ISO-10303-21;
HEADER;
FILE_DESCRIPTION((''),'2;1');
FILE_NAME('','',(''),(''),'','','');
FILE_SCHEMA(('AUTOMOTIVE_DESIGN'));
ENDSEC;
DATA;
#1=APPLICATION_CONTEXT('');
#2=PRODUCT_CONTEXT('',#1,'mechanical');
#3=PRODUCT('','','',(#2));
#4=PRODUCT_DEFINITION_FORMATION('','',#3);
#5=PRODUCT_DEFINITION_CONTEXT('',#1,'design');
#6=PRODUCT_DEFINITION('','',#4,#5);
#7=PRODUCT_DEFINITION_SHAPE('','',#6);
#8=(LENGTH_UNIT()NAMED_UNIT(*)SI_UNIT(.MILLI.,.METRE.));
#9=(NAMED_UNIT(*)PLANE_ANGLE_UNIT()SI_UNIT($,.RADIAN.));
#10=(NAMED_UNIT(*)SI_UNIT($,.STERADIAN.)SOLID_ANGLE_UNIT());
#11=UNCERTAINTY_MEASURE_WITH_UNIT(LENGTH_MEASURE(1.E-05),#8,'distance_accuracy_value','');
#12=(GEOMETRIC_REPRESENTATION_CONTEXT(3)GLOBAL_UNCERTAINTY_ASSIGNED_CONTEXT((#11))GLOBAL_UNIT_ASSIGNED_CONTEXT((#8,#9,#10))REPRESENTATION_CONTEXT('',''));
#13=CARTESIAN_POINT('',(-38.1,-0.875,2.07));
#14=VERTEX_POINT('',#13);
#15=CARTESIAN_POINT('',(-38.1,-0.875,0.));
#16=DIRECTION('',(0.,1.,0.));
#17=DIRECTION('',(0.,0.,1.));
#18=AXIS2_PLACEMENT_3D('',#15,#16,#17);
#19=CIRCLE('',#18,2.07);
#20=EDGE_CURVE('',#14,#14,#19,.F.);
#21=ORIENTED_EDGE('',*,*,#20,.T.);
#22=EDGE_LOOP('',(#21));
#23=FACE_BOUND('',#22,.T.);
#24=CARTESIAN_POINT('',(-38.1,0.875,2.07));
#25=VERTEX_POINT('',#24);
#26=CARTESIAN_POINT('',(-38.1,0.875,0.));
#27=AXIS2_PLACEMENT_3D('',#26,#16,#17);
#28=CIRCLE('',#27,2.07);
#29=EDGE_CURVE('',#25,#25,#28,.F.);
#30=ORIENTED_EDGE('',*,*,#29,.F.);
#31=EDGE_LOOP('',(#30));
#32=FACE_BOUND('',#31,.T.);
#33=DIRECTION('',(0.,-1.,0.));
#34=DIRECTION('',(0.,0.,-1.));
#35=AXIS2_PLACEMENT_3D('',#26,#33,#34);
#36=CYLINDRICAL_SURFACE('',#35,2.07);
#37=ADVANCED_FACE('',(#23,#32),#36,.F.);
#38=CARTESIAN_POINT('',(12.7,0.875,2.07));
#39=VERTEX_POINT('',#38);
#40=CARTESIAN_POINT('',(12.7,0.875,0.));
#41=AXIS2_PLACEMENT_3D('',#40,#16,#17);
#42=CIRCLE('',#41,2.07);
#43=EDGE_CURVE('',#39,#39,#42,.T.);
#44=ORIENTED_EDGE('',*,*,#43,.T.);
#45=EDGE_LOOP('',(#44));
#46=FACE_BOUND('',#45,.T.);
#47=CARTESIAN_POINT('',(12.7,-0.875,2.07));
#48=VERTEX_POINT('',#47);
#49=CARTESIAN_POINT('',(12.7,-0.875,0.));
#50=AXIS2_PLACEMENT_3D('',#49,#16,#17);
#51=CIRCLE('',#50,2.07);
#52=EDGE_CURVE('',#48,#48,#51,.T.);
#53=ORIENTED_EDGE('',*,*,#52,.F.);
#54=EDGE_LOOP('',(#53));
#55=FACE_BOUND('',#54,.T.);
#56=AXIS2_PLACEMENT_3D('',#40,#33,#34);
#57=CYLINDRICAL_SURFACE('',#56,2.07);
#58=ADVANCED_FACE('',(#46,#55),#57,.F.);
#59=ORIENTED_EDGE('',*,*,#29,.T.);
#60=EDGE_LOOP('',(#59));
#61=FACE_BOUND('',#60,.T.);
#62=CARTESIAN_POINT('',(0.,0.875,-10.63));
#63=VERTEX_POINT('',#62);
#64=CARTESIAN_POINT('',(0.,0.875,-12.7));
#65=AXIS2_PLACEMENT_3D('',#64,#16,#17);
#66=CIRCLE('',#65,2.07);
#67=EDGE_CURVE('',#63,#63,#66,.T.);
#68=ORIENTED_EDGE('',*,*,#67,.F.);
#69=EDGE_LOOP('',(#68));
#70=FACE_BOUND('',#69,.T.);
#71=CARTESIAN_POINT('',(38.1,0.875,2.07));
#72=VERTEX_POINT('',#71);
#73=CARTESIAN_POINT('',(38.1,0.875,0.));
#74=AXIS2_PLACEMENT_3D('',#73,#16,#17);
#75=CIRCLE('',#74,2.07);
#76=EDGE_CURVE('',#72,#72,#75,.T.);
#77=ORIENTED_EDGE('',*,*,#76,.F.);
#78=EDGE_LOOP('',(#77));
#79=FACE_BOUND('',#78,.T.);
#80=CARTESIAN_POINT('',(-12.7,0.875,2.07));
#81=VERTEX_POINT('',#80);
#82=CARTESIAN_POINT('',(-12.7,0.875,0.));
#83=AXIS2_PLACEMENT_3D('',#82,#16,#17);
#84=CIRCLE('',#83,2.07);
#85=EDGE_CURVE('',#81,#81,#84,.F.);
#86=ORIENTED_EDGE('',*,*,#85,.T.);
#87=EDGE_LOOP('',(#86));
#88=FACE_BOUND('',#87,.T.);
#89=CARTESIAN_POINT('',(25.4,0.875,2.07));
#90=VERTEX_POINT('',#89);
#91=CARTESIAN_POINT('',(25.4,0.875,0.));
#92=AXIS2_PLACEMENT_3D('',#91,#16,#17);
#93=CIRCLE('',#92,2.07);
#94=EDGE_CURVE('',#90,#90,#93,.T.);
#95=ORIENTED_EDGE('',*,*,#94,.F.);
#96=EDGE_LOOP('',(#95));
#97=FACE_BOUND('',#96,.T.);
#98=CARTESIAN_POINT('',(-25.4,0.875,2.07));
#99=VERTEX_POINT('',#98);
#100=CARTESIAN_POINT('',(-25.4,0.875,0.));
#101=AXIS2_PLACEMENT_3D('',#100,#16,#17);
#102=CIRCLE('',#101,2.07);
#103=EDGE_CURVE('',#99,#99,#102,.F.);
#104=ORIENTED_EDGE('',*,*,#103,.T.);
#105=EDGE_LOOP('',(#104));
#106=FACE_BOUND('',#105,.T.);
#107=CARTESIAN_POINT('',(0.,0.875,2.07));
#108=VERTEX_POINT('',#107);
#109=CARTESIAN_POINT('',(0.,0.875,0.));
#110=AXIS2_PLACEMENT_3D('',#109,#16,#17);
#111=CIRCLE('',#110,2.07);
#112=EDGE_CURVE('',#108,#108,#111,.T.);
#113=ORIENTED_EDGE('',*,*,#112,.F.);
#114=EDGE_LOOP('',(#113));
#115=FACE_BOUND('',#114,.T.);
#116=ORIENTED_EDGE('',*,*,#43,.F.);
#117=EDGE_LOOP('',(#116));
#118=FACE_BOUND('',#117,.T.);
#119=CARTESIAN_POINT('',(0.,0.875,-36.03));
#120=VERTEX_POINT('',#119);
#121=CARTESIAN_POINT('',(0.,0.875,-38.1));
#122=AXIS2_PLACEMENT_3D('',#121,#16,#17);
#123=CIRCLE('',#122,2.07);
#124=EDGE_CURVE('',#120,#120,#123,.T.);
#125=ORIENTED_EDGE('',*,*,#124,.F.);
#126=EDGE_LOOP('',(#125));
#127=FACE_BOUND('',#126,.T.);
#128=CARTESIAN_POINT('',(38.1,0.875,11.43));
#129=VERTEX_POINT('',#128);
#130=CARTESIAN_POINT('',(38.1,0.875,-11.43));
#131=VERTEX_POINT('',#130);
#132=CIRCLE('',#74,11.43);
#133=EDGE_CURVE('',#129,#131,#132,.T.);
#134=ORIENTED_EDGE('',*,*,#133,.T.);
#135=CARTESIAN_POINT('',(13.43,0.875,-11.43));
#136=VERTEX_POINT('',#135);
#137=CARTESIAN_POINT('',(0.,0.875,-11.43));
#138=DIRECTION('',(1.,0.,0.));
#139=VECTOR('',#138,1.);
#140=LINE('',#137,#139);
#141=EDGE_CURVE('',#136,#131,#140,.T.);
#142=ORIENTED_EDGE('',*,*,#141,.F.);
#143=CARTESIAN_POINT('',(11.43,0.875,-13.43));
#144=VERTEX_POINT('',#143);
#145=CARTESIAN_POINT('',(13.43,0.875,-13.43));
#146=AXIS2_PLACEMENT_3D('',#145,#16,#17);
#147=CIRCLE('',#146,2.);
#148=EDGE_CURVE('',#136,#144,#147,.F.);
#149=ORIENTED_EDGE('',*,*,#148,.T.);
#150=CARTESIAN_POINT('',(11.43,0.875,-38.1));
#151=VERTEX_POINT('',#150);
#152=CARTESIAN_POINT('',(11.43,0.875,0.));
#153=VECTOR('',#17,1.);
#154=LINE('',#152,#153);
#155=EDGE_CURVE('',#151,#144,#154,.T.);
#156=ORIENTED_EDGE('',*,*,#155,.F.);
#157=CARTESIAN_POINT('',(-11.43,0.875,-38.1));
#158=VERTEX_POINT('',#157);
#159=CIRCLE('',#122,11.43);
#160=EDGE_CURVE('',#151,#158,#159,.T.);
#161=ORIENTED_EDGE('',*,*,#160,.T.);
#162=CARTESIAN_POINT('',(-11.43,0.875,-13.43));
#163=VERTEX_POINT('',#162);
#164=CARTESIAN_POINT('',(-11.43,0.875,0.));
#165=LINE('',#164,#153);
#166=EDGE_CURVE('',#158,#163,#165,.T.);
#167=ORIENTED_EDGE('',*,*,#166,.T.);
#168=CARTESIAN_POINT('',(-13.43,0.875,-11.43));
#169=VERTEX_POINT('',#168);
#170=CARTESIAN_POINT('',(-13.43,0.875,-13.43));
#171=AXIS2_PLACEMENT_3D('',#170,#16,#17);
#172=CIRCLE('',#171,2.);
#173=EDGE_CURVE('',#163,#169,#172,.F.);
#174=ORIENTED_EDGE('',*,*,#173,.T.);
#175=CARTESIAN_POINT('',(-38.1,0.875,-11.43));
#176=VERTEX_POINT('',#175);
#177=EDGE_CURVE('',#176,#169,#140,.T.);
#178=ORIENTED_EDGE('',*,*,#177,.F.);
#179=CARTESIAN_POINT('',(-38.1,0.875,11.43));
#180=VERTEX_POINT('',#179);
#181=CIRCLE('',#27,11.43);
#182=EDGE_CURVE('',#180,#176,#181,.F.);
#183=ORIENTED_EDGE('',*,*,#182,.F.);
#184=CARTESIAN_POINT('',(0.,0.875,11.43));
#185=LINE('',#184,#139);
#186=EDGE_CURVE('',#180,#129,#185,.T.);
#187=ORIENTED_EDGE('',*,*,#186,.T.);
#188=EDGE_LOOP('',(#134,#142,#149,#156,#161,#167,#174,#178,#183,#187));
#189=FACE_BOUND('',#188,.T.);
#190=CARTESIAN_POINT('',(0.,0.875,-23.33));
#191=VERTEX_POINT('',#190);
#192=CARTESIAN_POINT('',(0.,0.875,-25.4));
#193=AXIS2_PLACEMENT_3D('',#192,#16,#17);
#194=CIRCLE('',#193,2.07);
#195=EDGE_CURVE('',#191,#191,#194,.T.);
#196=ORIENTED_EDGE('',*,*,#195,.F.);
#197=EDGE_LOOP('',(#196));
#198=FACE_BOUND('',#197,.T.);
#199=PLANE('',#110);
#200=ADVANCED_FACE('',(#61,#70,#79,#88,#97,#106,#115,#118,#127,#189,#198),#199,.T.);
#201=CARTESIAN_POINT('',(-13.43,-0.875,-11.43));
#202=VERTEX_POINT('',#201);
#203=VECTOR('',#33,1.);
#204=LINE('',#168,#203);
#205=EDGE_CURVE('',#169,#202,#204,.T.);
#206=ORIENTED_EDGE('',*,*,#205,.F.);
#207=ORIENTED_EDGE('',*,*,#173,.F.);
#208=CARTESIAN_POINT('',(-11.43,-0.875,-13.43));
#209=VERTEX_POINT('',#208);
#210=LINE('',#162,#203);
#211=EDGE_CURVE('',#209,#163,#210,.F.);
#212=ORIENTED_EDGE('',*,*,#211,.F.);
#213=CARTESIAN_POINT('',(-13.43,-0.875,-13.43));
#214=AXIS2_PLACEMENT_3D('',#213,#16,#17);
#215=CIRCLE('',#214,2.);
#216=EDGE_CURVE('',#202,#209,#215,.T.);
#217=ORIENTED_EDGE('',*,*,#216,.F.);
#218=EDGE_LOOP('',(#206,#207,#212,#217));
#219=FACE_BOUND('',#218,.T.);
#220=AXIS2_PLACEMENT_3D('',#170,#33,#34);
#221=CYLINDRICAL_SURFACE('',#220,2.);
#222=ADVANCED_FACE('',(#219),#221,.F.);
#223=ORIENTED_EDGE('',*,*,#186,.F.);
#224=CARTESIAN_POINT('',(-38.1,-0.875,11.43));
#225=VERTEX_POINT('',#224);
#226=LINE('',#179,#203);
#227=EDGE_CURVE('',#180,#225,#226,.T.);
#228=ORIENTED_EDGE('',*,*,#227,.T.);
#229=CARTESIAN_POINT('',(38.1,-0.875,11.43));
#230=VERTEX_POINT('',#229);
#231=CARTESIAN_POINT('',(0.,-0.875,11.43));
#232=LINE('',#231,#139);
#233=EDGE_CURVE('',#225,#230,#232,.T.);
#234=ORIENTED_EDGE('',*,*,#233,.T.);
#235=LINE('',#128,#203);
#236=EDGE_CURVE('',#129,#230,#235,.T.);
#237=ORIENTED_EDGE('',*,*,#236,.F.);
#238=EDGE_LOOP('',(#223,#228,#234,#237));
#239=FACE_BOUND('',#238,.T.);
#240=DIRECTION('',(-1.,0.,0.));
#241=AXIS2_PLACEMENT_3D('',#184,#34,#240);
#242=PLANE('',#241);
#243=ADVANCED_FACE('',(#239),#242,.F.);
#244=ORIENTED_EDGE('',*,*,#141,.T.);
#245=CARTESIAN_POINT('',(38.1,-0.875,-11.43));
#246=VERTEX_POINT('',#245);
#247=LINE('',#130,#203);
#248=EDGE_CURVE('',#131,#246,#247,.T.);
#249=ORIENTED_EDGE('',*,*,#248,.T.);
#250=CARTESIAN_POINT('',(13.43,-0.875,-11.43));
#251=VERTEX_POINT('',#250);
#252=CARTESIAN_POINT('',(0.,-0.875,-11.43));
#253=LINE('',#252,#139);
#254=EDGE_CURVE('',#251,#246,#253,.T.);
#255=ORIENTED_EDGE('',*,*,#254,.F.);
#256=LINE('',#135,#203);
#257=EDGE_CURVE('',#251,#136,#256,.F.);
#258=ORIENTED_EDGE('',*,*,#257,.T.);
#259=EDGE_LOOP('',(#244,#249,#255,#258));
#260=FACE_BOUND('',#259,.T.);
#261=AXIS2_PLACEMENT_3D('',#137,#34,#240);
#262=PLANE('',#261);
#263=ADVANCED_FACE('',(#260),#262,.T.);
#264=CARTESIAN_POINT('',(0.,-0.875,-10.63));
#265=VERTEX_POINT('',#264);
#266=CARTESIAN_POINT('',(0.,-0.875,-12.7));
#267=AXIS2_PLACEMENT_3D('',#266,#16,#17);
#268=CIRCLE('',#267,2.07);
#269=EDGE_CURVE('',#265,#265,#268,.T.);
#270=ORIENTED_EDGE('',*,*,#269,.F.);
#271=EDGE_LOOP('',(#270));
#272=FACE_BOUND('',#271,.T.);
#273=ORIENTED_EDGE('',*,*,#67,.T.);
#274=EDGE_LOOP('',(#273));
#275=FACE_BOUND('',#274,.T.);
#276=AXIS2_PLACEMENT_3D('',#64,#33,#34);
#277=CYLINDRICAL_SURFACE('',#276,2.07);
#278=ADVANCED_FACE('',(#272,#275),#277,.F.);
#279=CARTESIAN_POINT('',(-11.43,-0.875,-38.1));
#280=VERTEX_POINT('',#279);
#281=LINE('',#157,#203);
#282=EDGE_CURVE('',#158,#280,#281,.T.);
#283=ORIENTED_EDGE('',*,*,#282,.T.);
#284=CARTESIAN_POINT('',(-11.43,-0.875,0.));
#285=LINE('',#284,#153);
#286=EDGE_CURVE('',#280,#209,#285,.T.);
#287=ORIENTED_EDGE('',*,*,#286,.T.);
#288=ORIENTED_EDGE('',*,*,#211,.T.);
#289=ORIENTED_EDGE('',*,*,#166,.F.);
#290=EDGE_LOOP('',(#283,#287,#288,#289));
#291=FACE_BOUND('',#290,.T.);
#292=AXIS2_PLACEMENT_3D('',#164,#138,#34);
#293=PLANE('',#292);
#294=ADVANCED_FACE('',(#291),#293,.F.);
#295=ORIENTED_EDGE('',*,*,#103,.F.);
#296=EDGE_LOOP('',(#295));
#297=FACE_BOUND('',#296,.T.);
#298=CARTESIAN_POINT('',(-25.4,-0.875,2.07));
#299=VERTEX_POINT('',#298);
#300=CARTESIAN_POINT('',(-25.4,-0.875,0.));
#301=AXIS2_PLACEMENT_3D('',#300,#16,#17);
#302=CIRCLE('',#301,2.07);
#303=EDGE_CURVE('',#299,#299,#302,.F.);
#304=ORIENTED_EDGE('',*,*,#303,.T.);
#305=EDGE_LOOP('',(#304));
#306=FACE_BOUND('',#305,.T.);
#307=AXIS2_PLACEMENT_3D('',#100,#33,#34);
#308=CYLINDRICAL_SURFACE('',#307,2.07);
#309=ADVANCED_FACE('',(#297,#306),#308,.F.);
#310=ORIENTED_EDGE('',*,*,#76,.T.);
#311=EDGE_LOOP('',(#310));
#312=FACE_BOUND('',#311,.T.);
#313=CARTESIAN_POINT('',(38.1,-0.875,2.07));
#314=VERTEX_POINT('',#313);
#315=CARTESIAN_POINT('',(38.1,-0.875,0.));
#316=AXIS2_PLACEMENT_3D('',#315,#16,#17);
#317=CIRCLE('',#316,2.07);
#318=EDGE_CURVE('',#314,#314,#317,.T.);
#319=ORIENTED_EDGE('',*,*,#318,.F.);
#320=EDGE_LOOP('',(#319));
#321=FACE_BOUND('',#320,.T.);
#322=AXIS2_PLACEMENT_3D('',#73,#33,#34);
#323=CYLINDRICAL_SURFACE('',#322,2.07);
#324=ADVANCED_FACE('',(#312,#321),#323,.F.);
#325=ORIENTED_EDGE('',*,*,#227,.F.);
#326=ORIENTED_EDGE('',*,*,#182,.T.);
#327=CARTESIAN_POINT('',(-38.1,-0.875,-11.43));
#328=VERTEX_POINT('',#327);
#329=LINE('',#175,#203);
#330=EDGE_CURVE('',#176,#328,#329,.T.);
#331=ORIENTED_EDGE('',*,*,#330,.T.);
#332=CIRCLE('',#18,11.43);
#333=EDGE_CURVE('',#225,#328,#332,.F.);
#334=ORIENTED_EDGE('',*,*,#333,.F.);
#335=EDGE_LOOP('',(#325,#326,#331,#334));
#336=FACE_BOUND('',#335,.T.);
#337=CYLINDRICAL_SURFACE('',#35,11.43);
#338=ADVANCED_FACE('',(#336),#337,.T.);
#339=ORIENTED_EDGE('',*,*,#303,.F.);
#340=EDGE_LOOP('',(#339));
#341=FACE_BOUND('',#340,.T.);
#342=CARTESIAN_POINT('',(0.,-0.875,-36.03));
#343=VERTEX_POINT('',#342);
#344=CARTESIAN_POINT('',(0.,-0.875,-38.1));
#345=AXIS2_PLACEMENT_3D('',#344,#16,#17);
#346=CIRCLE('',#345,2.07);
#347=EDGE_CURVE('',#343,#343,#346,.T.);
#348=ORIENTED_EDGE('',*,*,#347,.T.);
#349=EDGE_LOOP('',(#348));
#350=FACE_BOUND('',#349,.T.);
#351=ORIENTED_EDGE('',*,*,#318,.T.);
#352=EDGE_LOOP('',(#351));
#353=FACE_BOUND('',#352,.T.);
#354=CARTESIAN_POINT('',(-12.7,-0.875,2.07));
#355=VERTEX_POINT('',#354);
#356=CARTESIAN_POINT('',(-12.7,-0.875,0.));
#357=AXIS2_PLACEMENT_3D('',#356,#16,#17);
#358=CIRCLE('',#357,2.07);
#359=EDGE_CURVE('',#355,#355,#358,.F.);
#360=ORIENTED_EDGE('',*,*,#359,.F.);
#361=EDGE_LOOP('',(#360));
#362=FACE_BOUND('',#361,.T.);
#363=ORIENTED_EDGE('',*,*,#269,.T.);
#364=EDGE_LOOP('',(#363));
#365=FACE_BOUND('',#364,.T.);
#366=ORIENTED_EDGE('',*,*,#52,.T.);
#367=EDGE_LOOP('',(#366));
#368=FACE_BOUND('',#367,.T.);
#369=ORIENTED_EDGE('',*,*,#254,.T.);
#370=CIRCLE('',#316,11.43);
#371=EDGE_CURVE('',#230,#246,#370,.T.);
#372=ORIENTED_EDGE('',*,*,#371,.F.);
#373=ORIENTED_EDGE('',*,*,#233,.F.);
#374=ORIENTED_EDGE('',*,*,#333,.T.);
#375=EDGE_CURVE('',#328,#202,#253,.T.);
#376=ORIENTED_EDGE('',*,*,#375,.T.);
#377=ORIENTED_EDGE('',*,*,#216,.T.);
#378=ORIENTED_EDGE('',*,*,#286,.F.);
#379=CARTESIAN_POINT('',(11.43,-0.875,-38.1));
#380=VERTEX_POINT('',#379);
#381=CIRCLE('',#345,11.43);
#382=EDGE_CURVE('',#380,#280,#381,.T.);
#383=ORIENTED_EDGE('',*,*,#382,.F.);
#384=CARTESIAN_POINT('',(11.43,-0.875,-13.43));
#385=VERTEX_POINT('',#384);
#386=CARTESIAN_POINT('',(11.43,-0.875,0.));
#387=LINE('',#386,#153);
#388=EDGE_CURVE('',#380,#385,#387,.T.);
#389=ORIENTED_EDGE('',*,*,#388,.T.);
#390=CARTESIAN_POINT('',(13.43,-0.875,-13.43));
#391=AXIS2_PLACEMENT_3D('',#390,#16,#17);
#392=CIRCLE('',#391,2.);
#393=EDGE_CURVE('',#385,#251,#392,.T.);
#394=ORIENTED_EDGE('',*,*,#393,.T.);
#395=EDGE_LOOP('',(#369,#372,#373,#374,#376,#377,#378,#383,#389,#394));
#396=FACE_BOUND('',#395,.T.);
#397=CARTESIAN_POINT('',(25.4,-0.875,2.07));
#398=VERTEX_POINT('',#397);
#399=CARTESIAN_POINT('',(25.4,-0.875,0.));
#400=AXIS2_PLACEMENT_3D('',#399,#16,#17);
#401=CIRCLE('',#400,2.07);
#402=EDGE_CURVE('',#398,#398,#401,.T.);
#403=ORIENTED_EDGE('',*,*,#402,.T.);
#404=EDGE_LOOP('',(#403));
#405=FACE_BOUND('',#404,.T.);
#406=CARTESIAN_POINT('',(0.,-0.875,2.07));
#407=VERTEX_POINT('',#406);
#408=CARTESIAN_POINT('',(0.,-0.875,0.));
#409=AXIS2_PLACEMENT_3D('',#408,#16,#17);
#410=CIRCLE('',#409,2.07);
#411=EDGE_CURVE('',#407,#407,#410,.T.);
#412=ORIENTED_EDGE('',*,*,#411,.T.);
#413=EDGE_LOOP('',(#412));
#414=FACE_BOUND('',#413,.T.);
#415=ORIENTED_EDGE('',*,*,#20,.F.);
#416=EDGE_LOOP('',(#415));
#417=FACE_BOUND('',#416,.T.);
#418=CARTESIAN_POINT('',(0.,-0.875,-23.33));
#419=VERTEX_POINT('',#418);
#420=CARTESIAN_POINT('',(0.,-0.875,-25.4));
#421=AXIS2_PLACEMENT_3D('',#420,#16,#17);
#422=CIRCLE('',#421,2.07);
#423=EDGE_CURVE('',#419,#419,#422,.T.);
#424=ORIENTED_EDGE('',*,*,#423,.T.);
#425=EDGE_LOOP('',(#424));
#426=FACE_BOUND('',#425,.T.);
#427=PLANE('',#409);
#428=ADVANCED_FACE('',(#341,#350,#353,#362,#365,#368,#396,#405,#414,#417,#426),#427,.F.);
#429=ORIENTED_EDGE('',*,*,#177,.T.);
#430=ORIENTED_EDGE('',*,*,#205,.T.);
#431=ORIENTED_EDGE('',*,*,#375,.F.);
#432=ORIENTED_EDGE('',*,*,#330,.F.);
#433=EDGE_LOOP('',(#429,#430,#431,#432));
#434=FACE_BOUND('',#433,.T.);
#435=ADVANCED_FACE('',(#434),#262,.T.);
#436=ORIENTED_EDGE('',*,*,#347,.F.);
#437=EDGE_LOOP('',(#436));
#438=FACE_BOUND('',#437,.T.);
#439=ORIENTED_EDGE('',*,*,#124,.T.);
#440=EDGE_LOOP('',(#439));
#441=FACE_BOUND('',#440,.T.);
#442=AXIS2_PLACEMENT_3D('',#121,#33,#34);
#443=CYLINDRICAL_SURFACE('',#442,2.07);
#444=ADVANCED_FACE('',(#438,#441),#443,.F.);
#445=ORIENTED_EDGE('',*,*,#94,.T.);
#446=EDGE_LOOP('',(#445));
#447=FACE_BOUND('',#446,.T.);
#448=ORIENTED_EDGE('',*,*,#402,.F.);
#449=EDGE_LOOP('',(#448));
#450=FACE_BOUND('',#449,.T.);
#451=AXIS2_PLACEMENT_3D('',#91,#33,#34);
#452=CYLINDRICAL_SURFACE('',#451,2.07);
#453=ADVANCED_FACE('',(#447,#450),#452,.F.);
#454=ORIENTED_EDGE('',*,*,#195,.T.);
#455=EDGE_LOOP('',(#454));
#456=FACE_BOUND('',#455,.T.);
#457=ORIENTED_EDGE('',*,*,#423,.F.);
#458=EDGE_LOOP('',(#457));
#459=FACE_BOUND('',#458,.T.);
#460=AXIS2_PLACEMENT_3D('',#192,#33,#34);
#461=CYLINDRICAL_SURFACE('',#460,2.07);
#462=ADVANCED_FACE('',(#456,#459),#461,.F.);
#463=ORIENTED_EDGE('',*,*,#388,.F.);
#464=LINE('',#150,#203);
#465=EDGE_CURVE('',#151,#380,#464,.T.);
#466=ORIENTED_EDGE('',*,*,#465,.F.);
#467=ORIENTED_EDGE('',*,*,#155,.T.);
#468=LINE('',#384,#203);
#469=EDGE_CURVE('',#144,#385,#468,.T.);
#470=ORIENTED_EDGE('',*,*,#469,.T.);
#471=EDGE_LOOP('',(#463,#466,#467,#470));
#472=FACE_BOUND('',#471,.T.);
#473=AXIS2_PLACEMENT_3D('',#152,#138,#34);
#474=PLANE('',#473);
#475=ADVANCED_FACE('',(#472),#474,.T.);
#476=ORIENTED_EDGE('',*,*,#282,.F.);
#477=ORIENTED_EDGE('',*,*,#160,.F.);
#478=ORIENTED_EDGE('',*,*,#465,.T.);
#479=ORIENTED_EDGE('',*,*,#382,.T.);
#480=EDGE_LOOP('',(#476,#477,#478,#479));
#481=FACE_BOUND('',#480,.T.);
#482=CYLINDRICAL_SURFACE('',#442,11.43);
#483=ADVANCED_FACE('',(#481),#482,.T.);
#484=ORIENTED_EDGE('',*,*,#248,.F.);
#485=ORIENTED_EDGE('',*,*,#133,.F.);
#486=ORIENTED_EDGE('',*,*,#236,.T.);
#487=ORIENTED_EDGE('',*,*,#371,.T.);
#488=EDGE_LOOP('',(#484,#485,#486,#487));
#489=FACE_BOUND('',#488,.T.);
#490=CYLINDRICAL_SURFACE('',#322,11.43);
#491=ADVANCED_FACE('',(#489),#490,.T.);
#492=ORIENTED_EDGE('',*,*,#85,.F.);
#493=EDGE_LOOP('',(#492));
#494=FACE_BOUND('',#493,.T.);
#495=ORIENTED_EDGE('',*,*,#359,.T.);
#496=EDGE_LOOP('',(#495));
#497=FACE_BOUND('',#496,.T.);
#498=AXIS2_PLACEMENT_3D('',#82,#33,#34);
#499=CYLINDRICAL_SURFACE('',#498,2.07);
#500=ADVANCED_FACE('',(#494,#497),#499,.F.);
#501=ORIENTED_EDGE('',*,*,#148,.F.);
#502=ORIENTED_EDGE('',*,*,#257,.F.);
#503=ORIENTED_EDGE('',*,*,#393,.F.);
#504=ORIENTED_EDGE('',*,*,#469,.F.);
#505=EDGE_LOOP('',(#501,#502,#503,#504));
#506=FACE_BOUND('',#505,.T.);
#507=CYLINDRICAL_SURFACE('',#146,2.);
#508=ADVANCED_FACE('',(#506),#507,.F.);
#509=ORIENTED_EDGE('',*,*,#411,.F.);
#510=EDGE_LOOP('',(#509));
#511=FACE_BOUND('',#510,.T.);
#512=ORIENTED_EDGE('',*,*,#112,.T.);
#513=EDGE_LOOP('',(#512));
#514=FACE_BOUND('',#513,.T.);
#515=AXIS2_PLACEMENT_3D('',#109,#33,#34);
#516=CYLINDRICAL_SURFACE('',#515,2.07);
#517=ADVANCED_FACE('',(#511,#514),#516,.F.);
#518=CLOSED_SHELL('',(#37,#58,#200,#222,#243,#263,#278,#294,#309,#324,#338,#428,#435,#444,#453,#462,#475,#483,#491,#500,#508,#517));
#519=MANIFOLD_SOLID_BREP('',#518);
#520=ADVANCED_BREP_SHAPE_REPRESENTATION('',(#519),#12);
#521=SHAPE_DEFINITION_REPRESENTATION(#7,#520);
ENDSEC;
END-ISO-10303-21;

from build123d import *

# Parameters (mm, degrees)
SKETCH1_R           = 2.07
BOSS_EXTRUDE1_DEPTH = 0.875
FILLET1_R           = 2


with BuildPart() as part:
    # Sketch1 → Boss-Extrude1 (new, symmetric)
    with BuildSketch(Plane(origin=(0, 0, 0), x_dir=(1, 0, 0), z_dir=(0, 1, 0))):
        with BuildLine():
            ThreePointArc((-38.1, 11.43), (-49.53, 0), (-38.1, -11.43))
            Line((-38.1, -11.43), (38.1, -11.43))
            ThreePointArc((38.1, -11.43), (49.53, 0), (38.1, 11.43))
            Line((38.1, 11.43), (11.43, 11.43))
            Line((11.43, 11.43), (11.43, 38.1))
            ThreePointArc((11.43, 38.1), (0, 49.53), (-11.43, 38.1))
            Line((-11.43, 38.1), (-11.43, 11.43))
            Line((-11.43, 11.43), (-38.1, 11.43))
        make_face()
        with Locations(Location((-25.4, 0, 0), (0, 0, 270))):
            Circle(SKETCH1_R, mode=Mode.SUBTRACT)
        with Locations(Location((0, 25.4, 0), (0, 0, 270))):
            Circle(SKETCH1_R, mode=Mode.SUBTRACT)
        with Locations(Location((0, 12.7, 0), (0, 0, 270))):
            Circle(SKETCH1_R, mode=Mode.SUBTRACT)
        with Locations(Location((25.4, 0, 0), (0, 0, 270))):
            Circle(SKETCH1_R, mode=Mode.SUBTRACT)
        with Locations(Location((-12.7, 0, 0), (0, 0, 270))):
            Circle(SKETCH1_R, mode=Mode.SUBTRACT)
        with Locations(Location((0, 0, 0), (0, 0, 270))):
            Circle(SKETCH1_R, mode=Mode.SUBTRACT)
        with Locations(Location((12.7, 0, 0), (0, 0, 270))):
            Circle(SKETCH1_R, mode=Mode.SUBTRACT)
        with Locations(Location((-38.1, 0, 0), (0, 0, 270))):
            Circle(SKETCH1_R, mode=Mode.SUBTRACT)
        with Locations(Location((38.1, 0, 0), (0, 0, 270))):
            Circle(SKETCH1_R, mode=Mode.SUBTRACT)
        with Locations(Location((0, 38.1, 0), (0, 0, 270))):
            Circle(SKETCH1_R, mode=Mode.SUBTRACT)
    extrude(amount=BOSS_EXTRUDE1_DEPTH, both=True)

    # Fillet1
    fillet1_edges = [part.edges().sort_by_distance(p)[0] for p in [
        (11.43, 0, -11.43),
        (-11.43, 0, -11.43),
    ]]
    fillet(fillet1_edges, radius=FILLET1_R)


solid = part.part
